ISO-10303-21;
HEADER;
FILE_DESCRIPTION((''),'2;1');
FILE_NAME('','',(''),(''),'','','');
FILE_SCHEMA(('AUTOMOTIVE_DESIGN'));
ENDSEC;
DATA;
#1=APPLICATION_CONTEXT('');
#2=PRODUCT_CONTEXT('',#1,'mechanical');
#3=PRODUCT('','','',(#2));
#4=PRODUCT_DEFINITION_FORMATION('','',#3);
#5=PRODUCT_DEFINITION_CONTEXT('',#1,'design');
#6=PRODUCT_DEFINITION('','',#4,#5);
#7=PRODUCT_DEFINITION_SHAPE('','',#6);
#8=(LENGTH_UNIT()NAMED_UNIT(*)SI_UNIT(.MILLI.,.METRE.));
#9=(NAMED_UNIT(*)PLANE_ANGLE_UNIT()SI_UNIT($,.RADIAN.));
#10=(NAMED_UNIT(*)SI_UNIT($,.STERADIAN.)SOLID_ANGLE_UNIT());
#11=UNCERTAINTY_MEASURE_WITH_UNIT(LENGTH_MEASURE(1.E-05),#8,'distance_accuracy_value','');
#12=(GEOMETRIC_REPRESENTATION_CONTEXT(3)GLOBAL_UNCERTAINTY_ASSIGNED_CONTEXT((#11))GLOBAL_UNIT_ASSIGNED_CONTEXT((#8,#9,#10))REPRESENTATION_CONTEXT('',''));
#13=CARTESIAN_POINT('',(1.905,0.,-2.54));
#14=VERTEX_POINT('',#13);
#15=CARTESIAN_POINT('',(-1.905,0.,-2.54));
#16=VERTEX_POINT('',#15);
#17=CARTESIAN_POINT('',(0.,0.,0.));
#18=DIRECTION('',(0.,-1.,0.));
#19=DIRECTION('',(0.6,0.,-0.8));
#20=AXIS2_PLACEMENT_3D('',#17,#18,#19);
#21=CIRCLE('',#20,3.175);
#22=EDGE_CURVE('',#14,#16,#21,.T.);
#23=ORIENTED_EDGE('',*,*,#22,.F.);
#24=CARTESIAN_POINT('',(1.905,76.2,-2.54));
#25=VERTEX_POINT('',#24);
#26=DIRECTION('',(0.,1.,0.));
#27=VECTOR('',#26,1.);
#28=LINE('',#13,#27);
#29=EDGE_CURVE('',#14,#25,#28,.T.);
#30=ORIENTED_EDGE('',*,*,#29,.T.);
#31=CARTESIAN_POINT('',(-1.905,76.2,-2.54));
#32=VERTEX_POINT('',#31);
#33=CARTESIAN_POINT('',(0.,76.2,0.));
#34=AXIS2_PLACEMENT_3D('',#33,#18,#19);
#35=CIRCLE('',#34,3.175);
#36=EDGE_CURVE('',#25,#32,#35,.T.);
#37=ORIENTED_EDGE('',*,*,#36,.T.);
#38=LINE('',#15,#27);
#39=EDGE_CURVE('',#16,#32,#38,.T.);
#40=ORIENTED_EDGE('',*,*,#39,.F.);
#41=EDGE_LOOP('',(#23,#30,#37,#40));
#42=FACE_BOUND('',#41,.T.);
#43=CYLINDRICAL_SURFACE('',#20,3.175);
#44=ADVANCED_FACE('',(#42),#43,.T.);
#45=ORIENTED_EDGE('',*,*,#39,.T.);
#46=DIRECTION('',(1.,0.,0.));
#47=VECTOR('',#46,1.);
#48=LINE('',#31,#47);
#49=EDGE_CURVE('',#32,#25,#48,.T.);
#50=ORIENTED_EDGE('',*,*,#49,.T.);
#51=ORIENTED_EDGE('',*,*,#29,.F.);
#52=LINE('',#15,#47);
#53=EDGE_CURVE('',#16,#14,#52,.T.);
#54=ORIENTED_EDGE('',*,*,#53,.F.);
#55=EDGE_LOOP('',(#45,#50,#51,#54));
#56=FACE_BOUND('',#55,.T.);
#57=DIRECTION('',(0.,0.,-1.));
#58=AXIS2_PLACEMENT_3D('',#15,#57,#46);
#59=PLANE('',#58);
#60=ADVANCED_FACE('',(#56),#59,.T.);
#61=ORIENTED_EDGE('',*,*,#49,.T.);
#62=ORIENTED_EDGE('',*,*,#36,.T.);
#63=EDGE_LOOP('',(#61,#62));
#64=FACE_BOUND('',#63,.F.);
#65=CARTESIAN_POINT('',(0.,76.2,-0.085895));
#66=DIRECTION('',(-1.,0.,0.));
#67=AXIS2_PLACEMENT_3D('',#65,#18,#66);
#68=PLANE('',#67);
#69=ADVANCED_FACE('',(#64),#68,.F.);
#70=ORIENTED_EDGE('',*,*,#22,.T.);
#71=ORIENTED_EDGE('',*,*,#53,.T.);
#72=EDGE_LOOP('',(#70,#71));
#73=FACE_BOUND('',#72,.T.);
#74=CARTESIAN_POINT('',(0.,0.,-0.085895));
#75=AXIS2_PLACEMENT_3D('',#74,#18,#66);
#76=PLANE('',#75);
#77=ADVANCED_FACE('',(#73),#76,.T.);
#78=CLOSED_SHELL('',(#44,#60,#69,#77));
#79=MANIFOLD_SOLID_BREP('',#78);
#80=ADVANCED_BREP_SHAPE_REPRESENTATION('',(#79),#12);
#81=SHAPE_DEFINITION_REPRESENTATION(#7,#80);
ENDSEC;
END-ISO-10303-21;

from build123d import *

# Parameters (mm, degrees)
BOSS_EXTRUDE1_DEPTH = 76.2


with BuildPart() as part:
    # Sketch1 → Boss-Extrude1 (new body)
    with BuildSketch(Plane(origin=(0, 0, 0), x_dir=(1, 0, 0), z_dir=(0, 1, 0))):
        with BuildLine():
            Line((-1.905, 2.54), (1.905, 2.54))
            ThreePointArc((1.905, 2.54), (0, -3.175), (-1.905, 2.54))
        make_face()
    extrude(amount=BOSS_EXTRUDE1_DEPTH)


solid = part.part
